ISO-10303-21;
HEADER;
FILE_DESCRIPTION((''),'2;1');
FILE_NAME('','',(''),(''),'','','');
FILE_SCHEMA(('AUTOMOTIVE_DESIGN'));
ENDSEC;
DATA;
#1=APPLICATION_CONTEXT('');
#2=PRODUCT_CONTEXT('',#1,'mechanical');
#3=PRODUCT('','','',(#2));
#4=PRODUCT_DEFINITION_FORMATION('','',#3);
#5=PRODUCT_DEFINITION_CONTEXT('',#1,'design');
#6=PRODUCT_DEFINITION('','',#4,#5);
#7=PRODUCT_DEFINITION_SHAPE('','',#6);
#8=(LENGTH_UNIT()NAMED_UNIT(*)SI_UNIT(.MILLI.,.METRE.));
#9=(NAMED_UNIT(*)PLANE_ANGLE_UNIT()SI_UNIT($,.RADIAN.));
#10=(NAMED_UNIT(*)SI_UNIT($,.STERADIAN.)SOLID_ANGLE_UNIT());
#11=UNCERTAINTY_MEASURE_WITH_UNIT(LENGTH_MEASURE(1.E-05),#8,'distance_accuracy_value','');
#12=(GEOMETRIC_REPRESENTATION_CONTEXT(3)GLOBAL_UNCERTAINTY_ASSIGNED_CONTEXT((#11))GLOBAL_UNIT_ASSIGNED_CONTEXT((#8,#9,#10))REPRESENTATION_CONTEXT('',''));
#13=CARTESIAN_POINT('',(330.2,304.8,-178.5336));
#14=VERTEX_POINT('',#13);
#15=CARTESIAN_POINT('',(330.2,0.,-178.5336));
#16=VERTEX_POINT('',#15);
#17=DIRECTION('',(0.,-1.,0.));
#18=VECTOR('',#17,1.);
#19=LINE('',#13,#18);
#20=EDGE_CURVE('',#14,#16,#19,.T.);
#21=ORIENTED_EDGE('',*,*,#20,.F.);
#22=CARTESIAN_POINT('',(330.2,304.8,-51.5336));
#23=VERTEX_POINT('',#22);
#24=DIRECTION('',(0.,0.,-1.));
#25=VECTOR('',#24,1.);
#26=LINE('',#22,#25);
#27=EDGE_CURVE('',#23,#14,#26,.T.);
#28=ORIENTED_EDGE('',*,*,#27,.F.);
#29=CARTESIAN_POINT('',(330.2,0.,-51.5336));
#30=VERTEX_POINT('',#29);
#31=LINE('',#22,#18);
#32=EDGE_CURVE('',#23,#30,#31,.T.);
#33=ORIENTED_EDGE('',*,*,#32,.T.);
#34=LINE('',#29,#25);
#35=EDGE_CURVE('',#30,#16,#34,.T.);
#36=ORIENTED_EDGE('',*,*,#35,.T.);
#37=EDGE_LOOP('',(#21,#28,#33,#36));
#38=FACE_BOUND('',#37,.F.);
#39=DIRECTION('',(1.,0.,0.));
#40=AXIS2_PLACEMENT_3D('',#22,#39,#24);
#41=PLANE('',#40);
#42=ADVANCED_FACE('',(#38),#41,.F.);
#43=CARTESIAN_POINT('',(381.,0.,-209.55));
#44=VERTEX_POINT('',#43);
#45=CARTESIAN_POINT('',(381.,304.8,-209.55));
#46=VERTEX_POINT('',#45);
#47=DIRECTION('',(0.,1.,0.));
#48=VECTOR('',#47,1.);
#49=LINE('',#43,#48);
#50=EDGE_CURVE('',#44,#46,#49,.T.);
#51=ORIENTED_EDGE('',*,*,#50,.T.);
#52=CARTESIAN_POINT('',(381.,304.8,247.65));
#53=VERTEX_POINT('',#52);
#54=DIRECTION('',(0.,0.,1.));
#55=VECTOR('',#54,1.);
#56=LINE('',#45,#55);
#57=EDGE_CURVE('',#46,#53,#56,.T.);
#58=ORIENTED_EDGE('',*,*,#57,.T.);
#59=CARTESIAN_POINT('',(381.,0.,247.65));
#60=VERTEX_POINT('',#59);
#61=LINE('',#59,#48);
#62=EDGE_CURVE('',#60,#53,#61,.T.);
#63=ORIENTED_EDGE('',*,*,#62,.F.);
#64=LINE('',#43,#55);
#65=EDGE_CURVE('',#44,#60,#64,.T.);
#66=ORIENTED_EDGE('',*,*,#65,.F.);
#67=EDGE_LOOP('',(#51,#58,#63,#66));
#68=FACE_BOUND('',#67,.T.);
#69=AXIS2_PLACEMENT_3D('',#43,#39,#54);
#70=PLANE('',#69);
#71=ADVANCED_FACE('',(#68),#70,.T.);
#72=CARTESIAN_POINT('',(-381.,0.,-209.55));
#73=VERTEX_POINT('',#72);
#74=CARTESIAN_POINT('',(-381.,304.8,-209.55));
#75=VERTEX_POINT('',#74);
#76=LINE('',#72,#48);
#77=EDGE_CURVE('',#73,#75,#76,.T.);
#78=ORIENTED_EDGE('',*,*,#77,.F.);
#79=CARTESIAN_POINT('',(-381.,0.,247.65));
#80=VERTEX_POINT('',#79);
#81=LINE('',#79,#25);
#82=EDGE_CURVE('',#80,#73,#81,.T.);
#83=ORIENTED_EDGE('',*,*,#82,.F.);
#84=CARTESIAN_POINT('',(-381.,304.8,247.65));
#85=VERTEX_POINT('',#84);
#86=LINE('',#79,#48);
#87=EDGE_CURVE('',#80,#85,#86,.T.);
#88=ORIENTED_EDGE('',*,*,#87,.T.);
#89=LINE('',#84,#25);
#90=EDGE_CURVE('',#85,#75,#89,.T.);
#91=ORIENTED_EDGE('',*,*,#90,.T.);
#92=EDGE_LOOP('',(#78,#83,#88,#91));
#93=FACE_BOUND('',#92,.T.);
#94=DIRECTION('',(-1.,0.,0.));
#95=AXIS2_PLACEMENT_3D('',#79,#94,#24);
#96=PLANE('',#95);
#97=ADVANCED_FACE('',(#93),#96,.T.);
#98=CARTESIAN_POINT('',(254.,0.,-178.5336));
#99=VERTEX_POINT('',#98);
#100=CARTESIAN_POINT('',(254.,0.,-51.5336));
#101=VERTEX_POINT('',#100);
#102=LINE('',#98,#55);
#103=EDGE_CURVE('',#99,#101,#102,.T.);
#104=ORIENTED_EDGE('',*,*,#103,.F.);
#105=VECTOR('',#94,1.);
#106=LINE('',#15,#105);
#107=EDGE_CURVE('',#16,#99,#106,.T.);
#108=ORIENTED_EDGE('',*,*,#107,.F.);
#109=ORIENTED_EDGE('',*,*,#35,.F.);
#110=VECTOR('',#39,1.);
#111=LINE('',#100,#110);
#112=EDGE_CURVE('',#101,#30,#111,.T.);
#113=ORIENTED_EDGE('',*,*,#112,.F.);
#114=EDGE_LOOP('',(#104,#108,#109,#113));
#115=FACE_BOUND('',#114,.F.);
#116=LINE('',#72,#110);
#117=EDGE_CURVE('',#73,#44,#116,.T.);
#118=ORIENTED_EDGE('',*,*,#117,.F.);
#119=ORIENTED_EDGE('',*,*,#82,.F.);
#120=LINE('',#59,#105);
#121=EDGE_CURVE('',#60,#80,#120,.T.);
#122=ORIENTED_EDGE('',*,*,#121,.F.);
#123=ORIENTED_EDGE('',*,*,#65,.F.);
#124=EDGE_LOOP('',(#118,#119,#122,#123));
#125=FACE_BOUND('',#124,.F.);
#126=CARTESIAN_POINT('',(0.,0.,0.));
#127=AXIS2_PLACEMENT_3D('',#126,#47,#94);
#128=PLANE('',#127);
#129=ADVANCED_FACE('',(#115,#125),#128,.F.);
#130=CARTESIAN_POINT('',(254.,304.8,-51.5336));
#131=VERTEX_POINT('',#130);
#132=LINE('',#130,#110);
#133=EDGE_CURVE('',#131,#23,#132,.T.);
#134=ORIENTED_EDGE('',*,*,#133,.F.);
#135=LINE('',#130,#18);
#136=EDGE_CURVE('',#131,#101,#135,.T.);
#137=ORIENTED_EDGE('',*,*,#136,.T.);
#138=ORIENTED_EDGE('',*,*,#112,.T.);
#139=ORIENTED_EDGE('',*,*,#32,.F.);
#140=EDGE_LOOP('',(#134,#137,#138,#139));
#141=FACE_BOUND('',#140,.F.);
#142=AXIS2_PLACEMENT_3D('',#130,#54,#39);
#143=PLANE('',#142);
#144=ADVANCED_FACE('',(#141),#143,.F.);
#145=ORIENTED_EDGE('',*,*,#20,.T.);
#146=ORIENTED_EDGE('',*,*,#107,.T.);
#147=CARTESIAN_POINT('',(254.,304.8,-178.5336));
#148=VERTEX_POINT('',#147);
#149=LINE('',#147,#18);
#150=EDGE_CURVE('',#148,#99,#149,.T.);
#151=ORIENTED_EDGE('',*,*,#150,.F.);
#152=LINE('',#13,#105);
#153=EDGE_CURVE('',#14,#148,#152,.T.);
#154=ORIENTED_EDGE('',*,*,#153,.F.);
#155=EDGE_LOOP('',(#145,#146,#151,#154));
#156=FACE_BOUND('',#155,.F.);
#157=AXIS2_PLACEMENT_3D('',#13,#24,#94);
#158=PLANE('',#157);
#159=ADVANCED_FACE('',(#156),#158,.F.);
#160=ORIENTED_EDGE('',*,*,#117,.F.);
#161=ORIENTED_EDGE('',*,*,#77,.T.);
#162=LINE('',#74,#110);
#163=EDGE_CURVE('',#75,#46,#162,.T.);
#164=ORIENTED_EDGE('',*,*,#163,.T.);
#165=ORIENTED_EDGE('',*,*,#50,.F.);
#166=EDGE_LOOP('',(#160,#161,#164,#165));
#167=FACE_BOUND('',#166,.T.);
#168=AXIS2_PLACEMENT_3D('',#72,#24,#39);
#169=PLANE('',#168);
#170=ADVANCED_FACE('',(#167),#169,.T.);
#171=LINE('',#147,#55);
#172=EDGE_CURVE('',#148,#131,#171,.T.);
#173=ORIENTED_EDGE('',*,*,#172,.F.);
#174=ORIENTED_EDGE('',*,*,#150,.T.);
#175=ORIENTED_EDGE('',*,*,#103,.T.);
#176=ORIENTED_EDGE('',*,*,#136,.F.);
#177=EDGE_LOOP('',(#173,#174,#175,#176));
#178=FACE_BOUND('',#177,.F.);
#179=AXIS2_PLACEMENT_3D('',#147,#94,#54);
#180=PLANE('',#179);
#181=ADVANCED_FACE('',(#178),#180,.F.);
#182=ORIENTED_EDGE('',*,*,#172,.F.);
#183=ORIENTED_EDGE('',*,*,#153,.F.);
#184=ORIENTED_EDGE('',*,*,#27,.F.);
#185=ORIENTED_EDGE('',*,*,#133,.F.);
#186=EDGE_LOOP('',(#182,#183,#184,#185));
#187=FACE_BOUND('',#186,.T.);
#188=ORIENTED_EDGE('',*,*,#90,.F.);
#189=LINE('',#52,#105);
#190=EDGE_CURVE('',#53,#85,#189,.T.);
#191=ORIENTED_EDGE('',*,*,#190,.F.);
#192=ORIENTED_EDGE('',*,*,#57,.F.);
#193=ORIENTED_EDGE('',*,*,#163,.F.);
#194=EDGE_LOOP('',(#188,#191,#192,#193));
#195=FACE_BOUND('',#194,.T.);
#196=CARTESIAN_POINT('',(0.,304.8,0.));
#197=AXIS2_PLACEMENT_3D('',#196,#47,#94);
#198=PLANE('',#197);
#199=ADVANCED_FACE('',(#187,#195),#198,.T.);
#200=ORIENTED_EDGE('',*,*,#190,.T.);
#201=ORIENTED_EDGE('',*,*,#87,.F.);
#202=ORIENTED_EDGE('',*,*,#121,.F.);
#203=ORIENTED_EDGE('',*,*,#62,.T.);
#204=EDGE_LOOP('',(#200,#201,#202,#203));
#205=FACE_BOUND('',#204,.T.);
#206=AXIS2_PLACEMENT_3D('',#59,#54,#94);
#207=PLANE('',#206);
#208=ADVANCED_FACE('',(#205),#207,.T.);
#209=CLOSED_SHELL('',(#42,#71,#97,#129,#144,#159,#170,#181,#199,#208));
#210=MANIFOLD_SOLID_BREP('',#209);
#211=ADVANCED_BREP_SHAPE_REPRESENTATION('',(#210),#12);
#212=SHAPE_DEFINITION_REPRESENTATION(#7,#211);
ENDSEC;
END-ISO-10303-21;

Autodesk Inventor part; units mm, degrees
ref_plane "YZ Plane" through (0, 0, 0) normal (1, 0, 0) x (0, 1, 0)
sketch "Sketch1" plane through (0, 0, 0) normal (0, 1, 0) x (-1, 0, 0)
  line L0 (381, -209.55) -> (-381, -209.55)
  line L1 (-381, -209.55) -> (-381, 247.65)
  line L2 (-381, 247.65) -> (381, 247.65)
  line L3 (381, 247.65) -> (381, -209.55)
  point P0 (0, 0)
  dimension "d0" = 762
extrude "Extrusion1" add sketch "Sketch1" along normal blind 304.8
ref_plane "Work Plane1" through (0, 304.8, 0) normal (0, 1, 0) x (-1, 0, 0)
sketch "Sketch2" plane through (0, 304.8, 0) normal (0, 1, 0) x (-1, 0, 0)
  line L0 (-254, -51.5336) -> (-330.2, -51.5336)
  line L1 (-330.2, -51.5336) -> (-330.2, -178.5336)
  line L2 (-330.2, -178.5336) -> (-254, -178.5336)
  line L3 (-254, -178.5336) -> (-254, -51.5336)
  line L4 (-381, 247.65) -> (-381, -209.55) projected
  line L5 (381, 247.65) -> (-381, 247.65) projected
  point P0 (0, 0)
  dimension "d6" = 127
  dimension "d7" = 76.2
extrude "Extrusion2" cut sketch "Sketch2" against normal blind 304.8
ref_plane "Work Plane2" through (0, 0, -213.36) normal (0, 0, 1) x (1, 0, 0)
sketch "Sketch3" plane through (0, 0, -213.36) normal (0, 0, 1) x (1, 0, 0)
  point P0 (0, 0)
sketch "Sketch4" plane through (0, 0, -213.36) normal (0, 0, 1) x (1, 0, 0)
  line L0 (-123.0782, 274.0785) -> (124.5718, 274.0785) construction
  line L1 (124.5718, 274.0785) -> (124.5718, 26.4285) construction
  line L2 (124.5718, 26.4285) -> (-123.0782, 26.4285) construction
  line L3 (-123.0782, 26.4285) -> (-123.0782, 274.0785) construction
  point P0 (0, 0)
properties part number "Box"
